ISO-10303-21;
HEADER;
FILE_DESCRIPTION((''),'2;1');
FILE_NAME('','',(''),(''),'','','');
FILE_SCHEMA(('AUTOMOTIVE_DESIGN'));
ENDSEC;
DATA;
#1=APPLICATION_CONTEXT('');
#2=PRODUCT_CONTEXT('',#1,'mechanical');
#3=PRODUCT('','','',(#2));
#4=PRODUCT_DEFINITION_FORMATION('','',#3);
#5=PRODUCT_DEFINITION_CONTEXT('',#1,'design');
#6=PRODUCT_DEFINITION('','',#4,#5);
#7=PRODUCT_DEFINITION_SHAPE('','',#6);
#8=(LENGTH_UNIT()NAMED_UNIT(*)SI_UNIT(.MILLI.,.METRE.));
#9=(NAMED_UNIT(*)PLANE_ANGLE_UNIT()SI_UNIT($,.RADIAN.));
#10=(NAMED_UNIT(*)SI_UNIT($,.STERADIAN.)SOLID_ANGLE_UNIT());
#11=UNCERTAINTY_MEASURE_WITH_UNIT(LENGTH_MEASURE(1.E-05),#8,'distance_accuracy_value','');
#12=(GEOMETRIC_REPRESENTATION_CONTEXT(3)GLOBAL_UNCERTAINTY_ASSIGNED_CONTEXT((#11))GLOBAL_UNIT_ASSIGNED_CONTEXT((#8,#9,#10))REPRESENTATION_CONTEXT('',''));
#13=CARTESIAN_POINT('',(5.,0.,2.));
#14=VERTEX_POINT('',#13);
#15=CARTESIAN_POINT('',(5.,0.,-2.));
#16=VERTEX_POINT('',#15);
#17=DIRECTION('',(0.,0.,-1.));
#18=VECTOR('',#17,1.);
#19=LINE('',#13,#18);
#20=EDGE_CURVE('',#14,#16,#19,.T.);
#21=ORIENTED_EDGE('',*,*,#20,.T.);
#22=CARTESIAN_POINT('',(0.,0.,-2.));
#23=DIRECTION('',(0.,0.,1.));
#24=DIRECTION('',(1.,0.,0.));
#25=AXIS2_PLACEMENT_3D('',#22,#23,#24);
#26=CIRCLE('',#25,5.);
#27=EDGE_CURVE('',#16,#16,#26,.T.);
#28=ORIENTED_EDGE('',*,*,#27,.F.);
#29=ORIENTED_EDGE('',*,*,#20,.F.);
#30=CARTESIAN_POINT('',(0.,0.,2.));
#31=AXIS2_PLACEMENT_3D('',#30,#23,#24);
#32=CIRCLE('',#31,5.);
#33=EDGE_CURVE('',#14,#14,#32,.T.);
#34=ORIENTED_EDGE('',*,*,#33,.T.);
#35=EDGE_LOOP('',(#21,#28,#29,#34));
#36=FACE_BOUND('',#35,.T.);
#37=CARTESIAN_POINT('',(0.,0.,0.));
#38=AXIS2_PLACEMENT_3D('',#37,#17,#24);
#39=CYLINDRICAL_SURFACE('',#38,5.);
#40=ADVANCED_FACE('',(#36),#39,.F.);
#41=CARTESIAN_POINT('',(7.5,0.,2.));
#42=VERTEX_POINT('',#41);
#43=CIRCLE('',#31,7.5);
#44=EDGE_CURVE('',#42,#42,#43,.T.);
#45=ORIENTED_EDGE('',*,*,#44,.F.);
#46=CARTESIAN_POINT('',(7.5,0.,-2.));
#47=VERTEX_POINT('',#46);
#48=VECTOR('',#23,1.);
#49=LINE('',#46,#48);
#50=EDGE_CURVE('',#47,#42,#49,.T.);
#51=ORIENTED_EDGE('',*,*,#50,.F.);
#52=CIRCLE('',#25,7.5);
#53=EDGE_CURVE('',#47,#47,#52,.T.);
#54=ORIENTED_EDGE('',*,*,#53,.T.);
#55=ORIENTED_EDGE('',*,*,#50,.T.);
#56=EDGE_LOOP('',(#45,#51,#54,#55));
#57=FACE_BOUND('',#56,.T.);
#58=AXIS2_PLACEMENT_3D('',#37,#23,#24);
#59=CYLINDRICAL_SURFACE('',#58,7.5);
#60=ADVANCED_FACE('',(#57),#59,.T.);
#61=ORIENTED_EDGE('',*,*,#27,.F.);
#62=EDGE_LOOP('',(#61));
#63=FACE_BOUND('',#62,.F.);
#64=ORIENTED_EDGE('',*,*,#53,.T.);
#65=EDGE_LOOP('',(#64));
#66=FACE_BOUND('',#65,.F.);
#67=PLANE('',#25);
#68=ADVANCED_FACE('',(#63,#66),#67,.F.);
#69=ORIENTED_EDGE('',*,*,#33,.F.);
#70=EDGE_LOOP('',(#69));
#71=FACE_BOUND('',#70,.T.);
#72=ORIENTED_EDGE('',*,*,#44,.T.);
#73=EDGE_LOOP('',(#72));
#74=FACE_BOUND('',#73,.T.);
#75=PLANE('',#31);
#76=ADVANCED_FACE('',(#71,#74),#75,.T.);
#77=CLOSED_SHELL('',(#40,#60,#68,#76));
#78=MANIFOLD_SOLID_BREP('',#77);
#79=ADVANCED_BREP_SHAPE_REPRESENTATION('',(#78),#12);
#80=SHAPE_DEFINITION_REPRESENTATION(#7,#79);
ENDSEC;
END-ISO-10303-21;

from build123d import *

# Parameters (mm, degrees)
SKETCH1_R           = 7.5
SKETCH1_R_2         = 5
BOSS_EXTRUDE1_DEPTH = 2


with BuildPart() as part:
    # Sketch1 → Boss-Extrude1 (new, symmetric)
    with BuildSketch(Plane.XY):
        Circle(SKETCH1_R)
        Circle(SKETCH1_R_2, mode=Mode.SUBTRACT)
    extrude(amount=BOSS_EXTRUDE1_DEPTH, both=True)


solid = part.part
